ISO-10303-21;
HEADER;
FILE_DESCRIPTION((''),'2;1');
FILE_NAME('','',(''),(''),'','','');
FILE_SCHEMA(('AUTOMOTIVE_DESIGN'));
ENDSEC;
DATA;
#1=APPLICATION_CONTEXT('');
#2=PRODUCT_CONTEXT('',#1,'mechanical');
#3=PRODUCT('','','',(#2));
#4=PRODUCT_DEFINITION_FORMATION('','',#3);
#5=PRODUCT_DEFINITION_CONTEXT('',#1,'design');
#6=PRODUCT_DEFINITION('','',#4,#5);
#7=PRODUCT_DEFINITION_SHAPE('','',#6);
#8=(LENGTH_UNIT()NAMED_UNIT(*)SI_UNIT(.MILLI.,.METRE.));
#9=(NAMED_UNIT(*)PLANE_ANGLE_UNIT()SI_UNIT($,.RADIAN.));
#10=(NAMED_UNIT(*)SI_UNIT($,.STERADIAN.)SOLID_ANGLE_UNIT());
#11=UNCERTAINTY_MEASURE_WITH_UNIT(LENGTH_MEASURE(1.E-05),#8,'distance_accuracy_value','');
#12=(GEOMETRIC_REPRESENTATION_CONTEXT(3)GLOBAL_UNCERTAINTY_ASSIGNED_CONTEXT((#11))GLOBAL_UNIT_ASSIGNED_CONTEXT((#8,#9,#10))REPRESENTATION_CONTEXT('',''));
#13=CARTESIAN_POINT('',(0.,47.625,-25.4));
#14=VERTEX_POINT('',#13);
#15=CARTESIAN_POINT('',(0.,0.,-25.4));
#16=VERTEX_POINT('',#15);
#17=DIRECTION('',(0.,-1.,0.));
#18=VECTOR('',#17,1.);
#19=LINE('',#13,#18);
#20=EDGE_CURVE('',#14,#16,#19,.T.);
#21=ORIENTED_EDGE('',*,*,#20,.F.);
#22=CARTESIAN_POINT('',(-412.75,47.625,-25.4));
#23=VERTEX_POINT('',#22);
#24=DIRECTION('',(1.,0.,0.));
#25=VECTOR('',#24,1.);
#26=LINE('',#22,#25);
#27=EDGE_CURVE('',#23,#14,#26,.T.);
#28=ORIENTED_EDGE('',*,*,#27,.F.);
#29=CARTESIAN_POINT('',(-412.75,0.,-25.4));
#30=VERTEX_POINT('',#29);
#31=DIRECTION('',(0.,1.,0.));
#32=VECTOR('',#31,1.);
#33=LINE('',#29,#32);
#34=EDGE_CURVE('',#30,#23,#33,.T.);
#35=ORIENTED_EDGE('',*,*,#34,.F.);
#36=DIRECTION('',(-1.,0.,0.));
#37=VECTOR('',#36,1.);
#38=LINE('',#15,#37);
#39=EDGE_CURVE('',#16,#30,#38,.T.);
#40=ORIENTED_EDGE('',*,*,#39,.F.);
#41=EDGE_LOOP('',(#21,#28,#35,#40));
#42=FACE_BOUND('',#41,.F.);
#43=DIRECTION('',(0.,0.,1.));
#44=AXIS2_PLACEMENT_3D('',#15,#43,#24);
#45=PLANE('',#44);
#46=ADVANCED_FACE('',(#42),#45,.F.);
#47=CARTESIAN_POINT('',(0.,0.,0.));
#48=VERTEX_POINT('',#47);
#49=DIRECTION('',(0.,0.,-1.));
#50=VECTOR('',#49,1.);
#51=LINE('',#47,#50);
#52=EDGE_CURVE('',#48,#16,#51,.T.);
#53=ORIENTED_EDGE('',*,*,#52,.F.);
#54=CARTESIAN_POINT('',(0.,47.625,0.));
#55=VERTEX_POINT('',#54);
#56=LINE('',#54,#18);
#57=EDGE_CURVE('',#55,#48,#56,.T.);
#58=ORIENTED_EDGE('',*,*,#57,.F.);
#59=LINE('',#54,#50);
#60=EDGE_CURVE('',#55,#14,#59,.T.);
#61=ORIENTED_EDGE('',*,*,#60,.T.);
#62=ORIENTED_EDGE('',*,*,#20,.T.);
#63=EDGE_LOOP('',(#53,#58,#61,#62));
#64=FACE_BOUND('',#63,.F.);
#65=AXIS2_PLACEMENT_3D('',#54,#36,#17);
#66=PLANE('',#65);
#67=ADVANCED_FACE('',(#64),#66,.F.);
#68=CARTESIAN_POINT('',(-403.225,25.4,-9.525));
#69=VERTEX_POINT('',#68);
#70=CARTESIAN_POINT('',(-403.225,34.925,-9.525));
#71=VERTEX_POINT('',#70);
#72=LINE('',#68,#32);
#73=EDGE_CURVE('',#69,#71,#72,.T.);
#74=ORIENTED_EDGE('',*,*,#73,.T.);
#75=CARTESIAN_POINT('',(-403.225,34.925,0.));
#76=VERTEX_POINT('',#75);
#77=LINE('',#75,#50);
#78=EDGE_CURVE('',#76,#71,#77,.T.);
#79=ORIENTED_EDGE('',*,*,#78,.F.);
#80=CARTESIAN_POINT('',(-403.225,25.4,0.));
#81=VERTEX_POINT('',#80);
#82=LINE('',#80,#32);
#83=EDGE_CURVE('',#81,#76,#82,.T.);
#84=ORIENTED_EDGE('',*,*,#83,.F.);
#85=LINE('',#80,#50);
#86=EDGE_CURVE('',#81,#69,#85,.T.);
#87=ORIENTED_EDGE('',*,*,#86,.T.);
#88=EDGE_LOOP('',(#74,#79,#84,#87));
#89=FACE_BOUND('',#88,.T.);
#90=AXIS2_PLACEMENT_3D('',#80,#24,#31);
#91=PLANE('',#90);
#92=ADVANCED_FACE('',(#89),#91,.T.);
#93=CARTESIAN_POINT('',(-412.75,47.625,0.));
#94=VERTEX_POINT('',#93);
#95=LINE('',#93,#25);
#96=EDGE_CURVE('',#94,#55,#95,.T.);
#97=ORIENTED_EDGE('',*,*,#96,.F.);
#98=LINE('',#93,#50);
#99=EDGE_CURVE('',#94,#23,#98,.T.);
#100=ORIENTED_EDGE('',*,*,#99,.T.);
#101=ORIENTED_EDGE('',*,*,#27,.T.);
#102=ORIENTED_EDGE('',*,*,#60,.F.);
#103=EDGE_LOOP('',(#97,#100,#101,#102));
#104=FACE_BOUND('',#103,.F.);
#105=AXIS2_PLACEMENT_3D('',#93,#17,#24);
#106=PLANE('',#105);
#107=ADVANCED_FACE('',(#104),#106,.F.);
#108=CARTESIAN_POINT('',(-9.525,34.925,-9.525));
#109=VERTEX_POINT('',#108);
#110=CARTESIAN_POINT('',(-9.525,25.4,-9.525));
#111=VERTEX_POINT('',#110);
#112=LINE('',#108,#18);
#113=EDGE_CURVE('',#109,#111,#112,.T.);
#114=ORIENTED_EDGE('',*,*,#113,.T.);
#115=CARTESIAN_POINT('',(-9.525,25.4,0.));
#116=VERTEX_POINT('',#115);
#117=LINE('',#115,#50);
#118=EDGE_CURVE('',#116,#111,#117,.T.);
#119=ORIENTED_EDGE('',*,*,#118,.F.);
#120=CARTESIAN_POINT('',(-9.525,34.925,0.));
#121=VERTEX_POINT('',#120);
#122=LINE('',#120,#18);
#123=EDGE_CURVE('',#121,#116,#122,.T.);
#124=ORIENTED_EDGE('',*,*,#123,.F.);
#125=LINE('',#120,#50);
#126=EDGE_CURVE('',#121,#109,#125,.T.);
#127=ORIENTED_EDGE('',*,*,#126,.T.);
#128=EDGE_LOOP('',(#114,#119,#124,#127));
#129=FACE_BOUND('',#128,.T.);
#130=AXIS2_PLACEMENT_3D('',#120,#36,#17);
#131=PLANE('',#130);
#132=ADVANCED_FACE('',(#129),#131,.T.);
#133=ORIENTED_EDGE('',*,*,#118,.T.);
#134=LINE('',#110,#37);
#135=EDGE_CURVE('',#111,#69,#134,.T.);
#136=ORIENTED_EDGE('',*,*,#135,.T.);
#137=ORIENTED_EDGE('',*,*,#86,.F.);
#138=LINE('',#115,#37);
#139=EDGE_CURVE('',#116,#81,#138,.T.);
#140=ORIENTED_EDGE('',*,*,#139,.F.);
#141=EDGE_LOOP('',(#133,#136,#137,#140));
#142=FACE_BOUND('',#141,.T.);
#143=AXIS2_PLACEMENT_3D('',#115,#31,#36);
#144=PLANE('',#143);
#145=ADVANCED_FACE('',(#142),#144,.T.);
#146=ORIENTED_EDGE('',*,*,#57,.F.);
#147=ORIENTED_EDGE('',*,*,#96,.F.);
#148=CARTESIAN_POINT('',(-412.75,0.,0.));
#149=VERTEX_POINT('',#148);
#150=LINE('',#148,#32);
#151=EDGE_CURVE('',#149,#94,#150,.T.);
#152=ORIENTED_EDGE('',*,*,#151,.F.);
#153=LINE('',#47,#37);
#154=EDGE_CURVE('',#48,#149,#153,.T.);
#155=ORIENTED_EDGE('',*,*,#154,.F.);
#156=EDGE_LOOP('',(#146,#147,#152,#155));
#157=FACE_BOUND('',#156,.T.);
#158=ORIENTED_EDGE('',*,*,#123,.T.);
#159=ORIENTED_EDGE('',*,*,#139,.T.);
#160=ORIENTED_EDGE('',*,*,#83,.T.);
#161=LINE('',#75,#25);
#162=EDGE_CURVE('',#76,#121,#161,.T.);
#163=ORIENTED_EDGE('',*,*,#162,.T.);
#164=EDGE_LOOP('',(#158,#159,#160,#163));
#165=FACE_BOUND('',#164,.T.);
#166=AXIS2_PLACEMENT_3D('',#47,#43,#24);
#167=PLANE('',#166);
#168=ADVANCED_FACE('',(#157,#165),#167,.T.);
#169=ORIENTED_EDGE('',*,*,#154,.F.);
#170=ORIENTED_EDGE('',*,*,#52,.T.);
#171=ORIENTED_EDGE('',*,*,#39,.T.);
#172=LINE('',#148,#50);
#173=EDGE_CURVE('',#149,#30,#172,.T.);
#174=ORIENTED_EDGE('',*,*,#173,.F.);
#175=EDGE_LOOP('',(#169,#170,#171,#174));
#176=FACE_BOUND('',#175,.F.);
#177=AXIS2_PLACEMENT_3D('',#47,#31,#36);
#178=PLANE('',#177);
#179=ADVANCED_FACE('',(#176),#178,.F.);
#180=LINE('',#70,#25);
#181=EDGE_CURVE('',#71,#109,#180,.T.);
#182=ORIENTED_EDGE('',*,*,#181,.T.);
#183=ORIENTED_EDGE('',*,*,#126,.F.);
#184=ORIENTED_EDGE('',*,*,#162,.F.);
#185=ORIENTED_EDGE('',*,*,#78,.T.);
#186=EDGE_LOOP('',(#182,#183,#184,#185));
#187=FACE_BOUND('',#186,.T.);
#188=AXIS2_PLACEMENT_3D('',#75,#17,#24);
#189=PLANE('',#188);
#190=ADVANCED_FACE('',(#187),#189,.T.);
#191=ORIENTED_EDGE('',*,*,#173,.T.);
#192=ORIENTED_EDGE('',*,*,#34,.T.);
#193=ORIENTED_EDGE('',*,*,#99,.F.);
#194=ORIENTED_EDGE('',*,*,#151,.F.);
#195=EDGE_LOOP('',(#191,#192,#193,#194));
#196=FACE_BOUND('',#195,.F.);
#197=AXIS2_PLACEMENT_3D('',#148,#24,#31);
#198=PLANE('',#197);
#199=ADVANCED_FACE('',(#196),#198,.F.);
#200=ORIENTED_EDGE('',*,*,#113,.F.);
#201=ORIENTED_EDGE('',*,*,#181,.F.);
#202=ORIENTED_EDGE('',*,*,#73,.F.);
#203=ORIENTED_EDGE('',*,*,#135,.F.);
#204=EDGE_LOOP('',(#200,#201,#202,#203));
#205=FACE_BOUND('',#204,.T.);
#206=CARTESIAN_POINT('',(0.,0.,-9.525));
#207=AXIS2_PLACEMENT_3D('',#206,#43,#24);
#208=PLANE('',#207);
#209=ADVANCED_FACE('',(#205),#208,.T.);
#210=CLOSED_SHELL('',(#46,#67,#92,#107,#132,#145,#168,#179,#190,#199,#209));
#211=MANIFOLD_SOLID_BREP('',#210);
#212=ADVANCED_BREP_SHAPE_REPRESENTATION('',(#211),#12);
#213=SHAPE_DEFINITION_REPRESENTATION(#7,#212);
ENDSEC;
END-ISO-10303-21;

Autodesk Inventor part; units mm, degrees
ref_plane "YZ Plane" through (0, 0, 0) normal (1, 0, 0) x (0, 1, 0)
ref_plane "XZ Plane" through (0, 0, 0) normal (0, 1, 0) x (-1, 0, 0)
ref_plane "XY Plane" through (0, 0, 0) normal (0, 0, 1) x (1, 0, 0)
sketch "Sketch1" plane through (0, 0, 0) normal (0, 0, 1) x (1, 0, 0)
  line L0 (0, 0) -> (-412.75, 0)
  line L1 (-412.75, 0) -> (-412.75, 47.625)
  line L2 (-412.75, 47.625) -> (0, 47.625)
  line L3 (0, 47.625) -> (0, 0)
  dimension "d0" = 412.75
  dimension "d1" = 47.625
extrude "Extrusion1" add sketch "Sketch1" against normal blind 25.4
sketch "Sketch2" plane through (0, 0, 0) normal (0, 0, 1) x (1, 0, 0)
  line L0 (0, 47.625) -> (0, 0) projected
  line L1 (-412.75, 47.625) -> (0, 47.625) projected
  line L2 (-412.75, 0) -> (-412.75, 47.625) projected
  line L3 (-403.225, 34.925) -> (-9.525, 34.925)
  line L4 (-9.525, 34.925) -> (-9.525, 25.4)
  line L5 (-9.525, 25.4) -> (-403.225, 25.4)
  line L6 (-403.225, 25.4) -> (-403.225, 34.925)
  line L7 (0, 0) -> (-412.75, 0) projected
  dimension "d4" = 12.7
  dimension "d5" = 9.525
  dimension "d10" = 412.75
  dimension "d12" = 25.4
  dimension "d14" = 9.525
  dimension "d16" = 9.525
extrude "Extrusion2" cut sketch "Sketch2" against normal blind 9.525 contours L3 L4 L5 L6
equation "\"d16\" = d14"
properties part number "bottom_board_slat_back" material "Wood (Birch)"
